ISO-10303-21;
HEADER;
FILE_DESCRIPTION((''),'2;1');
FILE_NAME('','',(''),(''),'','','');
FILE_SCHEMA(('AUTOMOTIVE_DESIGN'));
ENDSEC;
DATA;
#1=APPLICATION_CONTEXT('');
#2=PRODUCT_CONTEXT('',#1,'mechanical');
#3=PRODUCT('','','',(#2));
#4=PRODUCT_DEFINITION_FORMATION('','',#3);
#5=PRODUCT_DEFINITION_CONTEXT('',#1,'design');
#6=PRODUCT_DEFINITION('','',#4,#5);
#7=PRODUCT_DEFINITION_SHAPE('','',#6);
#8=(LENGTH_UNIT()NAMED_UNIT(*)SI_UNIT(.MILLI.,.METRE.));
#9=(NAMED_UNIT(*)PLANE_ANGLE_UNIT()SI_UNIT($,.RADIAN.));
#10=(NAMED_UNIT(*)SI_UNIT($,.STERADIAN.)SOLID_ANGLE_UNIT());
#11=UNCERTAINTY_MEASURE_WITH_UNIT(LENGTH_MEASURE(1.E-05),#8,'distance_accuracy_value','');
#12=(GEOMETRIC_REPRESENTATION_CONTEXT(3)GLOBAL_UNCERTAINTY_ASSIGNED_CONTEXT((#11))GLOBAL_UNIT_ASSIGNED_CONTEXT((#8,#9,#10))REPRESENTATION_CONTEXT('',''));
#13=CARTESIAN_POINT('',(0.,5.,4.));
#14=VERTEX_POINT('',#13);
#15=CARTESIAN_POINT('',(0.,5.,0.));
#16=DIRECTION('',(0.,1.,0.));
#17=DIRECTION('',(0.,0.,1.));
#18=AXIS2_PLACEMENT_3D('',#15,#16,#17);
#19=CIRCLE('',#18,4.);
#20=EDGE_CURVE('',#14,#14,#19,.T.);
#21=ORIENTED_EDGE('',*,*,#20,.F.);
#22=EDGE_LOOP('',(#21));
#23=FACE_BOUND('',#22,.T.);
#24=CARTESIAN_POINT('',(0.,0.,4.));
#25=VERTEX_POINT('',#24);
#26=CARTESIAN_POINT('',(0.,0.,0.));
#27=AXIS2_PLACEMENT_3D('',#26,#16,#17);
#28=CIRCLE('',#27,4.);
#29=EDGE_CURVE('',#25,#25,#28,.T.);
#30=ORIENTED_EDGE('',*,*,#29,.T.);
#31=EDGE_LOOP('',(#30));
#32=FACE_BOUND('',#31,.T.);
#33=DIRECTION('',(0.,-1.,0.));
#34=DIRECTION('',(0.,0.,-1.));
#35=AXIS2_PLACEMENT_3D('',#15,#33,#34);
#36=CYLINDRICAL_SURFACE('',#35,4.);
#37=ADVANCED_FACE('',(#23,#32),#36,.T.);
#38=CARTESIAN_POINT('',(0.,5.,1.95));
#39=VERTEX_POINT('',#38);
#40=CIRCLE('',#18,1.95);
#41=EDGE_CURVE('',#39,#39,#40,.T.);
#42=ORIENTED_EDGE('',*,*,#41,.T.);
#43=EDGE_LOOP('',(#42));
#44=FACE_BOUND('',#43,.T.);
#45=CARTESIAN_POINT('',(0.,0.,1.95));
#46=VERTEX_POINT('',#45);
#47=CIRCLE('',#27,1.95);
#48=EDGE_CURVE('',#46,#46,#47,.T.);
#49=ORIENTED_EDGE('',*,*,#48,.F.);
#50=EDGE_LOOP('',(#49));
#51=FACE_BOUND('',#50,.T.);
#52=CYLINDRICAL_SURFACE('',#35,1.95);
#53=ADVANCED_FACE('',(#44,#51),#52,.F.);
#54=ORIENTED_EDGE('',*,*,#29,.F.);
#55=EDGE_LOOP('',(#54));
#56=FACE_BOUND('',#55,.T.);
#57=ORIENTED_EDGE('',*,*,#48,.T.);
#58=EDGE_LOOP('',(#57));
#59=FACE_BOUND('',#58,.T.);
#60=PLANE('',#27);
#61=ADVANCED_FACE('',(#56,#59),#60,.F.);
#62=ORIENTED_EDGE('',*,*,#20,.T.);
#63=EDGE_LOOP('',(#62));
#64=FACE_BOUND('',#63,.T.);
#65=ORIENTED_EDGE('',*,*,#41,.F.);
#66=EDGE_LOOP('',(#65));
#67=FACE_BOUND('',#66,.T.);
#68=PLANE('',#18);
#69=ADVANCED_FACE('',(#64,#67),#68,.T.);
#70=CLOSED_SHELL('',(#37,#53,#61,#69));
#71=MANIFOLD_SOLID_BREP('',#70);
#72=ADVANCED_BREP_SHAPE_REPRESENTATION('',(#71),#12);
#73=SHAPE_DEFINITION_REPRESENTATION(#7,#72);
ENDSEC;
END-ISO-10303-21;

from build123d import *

# Parameters (mm, degrees)
SKETCH_1_R      = 4
SKETCH_1_R_2    = 1.95
EXTRUDE_1_DEPTH = 5


with BuildPart() as part:
    # 草图1 → 凸台-拉伸1 (new body)
    with BuildSketch(Plane(origin=(0, 0, 0), x_dir=(1, 0, 0), z_dir=(0, 1, 0))):
        Circle(SKETCH_1_R)
        Circle(SKETCH_1_R_2, mode=Mode.SUBTRACT)
    extrude(amount=EXTRUDE_1_DEPTH)


solid = part.part
